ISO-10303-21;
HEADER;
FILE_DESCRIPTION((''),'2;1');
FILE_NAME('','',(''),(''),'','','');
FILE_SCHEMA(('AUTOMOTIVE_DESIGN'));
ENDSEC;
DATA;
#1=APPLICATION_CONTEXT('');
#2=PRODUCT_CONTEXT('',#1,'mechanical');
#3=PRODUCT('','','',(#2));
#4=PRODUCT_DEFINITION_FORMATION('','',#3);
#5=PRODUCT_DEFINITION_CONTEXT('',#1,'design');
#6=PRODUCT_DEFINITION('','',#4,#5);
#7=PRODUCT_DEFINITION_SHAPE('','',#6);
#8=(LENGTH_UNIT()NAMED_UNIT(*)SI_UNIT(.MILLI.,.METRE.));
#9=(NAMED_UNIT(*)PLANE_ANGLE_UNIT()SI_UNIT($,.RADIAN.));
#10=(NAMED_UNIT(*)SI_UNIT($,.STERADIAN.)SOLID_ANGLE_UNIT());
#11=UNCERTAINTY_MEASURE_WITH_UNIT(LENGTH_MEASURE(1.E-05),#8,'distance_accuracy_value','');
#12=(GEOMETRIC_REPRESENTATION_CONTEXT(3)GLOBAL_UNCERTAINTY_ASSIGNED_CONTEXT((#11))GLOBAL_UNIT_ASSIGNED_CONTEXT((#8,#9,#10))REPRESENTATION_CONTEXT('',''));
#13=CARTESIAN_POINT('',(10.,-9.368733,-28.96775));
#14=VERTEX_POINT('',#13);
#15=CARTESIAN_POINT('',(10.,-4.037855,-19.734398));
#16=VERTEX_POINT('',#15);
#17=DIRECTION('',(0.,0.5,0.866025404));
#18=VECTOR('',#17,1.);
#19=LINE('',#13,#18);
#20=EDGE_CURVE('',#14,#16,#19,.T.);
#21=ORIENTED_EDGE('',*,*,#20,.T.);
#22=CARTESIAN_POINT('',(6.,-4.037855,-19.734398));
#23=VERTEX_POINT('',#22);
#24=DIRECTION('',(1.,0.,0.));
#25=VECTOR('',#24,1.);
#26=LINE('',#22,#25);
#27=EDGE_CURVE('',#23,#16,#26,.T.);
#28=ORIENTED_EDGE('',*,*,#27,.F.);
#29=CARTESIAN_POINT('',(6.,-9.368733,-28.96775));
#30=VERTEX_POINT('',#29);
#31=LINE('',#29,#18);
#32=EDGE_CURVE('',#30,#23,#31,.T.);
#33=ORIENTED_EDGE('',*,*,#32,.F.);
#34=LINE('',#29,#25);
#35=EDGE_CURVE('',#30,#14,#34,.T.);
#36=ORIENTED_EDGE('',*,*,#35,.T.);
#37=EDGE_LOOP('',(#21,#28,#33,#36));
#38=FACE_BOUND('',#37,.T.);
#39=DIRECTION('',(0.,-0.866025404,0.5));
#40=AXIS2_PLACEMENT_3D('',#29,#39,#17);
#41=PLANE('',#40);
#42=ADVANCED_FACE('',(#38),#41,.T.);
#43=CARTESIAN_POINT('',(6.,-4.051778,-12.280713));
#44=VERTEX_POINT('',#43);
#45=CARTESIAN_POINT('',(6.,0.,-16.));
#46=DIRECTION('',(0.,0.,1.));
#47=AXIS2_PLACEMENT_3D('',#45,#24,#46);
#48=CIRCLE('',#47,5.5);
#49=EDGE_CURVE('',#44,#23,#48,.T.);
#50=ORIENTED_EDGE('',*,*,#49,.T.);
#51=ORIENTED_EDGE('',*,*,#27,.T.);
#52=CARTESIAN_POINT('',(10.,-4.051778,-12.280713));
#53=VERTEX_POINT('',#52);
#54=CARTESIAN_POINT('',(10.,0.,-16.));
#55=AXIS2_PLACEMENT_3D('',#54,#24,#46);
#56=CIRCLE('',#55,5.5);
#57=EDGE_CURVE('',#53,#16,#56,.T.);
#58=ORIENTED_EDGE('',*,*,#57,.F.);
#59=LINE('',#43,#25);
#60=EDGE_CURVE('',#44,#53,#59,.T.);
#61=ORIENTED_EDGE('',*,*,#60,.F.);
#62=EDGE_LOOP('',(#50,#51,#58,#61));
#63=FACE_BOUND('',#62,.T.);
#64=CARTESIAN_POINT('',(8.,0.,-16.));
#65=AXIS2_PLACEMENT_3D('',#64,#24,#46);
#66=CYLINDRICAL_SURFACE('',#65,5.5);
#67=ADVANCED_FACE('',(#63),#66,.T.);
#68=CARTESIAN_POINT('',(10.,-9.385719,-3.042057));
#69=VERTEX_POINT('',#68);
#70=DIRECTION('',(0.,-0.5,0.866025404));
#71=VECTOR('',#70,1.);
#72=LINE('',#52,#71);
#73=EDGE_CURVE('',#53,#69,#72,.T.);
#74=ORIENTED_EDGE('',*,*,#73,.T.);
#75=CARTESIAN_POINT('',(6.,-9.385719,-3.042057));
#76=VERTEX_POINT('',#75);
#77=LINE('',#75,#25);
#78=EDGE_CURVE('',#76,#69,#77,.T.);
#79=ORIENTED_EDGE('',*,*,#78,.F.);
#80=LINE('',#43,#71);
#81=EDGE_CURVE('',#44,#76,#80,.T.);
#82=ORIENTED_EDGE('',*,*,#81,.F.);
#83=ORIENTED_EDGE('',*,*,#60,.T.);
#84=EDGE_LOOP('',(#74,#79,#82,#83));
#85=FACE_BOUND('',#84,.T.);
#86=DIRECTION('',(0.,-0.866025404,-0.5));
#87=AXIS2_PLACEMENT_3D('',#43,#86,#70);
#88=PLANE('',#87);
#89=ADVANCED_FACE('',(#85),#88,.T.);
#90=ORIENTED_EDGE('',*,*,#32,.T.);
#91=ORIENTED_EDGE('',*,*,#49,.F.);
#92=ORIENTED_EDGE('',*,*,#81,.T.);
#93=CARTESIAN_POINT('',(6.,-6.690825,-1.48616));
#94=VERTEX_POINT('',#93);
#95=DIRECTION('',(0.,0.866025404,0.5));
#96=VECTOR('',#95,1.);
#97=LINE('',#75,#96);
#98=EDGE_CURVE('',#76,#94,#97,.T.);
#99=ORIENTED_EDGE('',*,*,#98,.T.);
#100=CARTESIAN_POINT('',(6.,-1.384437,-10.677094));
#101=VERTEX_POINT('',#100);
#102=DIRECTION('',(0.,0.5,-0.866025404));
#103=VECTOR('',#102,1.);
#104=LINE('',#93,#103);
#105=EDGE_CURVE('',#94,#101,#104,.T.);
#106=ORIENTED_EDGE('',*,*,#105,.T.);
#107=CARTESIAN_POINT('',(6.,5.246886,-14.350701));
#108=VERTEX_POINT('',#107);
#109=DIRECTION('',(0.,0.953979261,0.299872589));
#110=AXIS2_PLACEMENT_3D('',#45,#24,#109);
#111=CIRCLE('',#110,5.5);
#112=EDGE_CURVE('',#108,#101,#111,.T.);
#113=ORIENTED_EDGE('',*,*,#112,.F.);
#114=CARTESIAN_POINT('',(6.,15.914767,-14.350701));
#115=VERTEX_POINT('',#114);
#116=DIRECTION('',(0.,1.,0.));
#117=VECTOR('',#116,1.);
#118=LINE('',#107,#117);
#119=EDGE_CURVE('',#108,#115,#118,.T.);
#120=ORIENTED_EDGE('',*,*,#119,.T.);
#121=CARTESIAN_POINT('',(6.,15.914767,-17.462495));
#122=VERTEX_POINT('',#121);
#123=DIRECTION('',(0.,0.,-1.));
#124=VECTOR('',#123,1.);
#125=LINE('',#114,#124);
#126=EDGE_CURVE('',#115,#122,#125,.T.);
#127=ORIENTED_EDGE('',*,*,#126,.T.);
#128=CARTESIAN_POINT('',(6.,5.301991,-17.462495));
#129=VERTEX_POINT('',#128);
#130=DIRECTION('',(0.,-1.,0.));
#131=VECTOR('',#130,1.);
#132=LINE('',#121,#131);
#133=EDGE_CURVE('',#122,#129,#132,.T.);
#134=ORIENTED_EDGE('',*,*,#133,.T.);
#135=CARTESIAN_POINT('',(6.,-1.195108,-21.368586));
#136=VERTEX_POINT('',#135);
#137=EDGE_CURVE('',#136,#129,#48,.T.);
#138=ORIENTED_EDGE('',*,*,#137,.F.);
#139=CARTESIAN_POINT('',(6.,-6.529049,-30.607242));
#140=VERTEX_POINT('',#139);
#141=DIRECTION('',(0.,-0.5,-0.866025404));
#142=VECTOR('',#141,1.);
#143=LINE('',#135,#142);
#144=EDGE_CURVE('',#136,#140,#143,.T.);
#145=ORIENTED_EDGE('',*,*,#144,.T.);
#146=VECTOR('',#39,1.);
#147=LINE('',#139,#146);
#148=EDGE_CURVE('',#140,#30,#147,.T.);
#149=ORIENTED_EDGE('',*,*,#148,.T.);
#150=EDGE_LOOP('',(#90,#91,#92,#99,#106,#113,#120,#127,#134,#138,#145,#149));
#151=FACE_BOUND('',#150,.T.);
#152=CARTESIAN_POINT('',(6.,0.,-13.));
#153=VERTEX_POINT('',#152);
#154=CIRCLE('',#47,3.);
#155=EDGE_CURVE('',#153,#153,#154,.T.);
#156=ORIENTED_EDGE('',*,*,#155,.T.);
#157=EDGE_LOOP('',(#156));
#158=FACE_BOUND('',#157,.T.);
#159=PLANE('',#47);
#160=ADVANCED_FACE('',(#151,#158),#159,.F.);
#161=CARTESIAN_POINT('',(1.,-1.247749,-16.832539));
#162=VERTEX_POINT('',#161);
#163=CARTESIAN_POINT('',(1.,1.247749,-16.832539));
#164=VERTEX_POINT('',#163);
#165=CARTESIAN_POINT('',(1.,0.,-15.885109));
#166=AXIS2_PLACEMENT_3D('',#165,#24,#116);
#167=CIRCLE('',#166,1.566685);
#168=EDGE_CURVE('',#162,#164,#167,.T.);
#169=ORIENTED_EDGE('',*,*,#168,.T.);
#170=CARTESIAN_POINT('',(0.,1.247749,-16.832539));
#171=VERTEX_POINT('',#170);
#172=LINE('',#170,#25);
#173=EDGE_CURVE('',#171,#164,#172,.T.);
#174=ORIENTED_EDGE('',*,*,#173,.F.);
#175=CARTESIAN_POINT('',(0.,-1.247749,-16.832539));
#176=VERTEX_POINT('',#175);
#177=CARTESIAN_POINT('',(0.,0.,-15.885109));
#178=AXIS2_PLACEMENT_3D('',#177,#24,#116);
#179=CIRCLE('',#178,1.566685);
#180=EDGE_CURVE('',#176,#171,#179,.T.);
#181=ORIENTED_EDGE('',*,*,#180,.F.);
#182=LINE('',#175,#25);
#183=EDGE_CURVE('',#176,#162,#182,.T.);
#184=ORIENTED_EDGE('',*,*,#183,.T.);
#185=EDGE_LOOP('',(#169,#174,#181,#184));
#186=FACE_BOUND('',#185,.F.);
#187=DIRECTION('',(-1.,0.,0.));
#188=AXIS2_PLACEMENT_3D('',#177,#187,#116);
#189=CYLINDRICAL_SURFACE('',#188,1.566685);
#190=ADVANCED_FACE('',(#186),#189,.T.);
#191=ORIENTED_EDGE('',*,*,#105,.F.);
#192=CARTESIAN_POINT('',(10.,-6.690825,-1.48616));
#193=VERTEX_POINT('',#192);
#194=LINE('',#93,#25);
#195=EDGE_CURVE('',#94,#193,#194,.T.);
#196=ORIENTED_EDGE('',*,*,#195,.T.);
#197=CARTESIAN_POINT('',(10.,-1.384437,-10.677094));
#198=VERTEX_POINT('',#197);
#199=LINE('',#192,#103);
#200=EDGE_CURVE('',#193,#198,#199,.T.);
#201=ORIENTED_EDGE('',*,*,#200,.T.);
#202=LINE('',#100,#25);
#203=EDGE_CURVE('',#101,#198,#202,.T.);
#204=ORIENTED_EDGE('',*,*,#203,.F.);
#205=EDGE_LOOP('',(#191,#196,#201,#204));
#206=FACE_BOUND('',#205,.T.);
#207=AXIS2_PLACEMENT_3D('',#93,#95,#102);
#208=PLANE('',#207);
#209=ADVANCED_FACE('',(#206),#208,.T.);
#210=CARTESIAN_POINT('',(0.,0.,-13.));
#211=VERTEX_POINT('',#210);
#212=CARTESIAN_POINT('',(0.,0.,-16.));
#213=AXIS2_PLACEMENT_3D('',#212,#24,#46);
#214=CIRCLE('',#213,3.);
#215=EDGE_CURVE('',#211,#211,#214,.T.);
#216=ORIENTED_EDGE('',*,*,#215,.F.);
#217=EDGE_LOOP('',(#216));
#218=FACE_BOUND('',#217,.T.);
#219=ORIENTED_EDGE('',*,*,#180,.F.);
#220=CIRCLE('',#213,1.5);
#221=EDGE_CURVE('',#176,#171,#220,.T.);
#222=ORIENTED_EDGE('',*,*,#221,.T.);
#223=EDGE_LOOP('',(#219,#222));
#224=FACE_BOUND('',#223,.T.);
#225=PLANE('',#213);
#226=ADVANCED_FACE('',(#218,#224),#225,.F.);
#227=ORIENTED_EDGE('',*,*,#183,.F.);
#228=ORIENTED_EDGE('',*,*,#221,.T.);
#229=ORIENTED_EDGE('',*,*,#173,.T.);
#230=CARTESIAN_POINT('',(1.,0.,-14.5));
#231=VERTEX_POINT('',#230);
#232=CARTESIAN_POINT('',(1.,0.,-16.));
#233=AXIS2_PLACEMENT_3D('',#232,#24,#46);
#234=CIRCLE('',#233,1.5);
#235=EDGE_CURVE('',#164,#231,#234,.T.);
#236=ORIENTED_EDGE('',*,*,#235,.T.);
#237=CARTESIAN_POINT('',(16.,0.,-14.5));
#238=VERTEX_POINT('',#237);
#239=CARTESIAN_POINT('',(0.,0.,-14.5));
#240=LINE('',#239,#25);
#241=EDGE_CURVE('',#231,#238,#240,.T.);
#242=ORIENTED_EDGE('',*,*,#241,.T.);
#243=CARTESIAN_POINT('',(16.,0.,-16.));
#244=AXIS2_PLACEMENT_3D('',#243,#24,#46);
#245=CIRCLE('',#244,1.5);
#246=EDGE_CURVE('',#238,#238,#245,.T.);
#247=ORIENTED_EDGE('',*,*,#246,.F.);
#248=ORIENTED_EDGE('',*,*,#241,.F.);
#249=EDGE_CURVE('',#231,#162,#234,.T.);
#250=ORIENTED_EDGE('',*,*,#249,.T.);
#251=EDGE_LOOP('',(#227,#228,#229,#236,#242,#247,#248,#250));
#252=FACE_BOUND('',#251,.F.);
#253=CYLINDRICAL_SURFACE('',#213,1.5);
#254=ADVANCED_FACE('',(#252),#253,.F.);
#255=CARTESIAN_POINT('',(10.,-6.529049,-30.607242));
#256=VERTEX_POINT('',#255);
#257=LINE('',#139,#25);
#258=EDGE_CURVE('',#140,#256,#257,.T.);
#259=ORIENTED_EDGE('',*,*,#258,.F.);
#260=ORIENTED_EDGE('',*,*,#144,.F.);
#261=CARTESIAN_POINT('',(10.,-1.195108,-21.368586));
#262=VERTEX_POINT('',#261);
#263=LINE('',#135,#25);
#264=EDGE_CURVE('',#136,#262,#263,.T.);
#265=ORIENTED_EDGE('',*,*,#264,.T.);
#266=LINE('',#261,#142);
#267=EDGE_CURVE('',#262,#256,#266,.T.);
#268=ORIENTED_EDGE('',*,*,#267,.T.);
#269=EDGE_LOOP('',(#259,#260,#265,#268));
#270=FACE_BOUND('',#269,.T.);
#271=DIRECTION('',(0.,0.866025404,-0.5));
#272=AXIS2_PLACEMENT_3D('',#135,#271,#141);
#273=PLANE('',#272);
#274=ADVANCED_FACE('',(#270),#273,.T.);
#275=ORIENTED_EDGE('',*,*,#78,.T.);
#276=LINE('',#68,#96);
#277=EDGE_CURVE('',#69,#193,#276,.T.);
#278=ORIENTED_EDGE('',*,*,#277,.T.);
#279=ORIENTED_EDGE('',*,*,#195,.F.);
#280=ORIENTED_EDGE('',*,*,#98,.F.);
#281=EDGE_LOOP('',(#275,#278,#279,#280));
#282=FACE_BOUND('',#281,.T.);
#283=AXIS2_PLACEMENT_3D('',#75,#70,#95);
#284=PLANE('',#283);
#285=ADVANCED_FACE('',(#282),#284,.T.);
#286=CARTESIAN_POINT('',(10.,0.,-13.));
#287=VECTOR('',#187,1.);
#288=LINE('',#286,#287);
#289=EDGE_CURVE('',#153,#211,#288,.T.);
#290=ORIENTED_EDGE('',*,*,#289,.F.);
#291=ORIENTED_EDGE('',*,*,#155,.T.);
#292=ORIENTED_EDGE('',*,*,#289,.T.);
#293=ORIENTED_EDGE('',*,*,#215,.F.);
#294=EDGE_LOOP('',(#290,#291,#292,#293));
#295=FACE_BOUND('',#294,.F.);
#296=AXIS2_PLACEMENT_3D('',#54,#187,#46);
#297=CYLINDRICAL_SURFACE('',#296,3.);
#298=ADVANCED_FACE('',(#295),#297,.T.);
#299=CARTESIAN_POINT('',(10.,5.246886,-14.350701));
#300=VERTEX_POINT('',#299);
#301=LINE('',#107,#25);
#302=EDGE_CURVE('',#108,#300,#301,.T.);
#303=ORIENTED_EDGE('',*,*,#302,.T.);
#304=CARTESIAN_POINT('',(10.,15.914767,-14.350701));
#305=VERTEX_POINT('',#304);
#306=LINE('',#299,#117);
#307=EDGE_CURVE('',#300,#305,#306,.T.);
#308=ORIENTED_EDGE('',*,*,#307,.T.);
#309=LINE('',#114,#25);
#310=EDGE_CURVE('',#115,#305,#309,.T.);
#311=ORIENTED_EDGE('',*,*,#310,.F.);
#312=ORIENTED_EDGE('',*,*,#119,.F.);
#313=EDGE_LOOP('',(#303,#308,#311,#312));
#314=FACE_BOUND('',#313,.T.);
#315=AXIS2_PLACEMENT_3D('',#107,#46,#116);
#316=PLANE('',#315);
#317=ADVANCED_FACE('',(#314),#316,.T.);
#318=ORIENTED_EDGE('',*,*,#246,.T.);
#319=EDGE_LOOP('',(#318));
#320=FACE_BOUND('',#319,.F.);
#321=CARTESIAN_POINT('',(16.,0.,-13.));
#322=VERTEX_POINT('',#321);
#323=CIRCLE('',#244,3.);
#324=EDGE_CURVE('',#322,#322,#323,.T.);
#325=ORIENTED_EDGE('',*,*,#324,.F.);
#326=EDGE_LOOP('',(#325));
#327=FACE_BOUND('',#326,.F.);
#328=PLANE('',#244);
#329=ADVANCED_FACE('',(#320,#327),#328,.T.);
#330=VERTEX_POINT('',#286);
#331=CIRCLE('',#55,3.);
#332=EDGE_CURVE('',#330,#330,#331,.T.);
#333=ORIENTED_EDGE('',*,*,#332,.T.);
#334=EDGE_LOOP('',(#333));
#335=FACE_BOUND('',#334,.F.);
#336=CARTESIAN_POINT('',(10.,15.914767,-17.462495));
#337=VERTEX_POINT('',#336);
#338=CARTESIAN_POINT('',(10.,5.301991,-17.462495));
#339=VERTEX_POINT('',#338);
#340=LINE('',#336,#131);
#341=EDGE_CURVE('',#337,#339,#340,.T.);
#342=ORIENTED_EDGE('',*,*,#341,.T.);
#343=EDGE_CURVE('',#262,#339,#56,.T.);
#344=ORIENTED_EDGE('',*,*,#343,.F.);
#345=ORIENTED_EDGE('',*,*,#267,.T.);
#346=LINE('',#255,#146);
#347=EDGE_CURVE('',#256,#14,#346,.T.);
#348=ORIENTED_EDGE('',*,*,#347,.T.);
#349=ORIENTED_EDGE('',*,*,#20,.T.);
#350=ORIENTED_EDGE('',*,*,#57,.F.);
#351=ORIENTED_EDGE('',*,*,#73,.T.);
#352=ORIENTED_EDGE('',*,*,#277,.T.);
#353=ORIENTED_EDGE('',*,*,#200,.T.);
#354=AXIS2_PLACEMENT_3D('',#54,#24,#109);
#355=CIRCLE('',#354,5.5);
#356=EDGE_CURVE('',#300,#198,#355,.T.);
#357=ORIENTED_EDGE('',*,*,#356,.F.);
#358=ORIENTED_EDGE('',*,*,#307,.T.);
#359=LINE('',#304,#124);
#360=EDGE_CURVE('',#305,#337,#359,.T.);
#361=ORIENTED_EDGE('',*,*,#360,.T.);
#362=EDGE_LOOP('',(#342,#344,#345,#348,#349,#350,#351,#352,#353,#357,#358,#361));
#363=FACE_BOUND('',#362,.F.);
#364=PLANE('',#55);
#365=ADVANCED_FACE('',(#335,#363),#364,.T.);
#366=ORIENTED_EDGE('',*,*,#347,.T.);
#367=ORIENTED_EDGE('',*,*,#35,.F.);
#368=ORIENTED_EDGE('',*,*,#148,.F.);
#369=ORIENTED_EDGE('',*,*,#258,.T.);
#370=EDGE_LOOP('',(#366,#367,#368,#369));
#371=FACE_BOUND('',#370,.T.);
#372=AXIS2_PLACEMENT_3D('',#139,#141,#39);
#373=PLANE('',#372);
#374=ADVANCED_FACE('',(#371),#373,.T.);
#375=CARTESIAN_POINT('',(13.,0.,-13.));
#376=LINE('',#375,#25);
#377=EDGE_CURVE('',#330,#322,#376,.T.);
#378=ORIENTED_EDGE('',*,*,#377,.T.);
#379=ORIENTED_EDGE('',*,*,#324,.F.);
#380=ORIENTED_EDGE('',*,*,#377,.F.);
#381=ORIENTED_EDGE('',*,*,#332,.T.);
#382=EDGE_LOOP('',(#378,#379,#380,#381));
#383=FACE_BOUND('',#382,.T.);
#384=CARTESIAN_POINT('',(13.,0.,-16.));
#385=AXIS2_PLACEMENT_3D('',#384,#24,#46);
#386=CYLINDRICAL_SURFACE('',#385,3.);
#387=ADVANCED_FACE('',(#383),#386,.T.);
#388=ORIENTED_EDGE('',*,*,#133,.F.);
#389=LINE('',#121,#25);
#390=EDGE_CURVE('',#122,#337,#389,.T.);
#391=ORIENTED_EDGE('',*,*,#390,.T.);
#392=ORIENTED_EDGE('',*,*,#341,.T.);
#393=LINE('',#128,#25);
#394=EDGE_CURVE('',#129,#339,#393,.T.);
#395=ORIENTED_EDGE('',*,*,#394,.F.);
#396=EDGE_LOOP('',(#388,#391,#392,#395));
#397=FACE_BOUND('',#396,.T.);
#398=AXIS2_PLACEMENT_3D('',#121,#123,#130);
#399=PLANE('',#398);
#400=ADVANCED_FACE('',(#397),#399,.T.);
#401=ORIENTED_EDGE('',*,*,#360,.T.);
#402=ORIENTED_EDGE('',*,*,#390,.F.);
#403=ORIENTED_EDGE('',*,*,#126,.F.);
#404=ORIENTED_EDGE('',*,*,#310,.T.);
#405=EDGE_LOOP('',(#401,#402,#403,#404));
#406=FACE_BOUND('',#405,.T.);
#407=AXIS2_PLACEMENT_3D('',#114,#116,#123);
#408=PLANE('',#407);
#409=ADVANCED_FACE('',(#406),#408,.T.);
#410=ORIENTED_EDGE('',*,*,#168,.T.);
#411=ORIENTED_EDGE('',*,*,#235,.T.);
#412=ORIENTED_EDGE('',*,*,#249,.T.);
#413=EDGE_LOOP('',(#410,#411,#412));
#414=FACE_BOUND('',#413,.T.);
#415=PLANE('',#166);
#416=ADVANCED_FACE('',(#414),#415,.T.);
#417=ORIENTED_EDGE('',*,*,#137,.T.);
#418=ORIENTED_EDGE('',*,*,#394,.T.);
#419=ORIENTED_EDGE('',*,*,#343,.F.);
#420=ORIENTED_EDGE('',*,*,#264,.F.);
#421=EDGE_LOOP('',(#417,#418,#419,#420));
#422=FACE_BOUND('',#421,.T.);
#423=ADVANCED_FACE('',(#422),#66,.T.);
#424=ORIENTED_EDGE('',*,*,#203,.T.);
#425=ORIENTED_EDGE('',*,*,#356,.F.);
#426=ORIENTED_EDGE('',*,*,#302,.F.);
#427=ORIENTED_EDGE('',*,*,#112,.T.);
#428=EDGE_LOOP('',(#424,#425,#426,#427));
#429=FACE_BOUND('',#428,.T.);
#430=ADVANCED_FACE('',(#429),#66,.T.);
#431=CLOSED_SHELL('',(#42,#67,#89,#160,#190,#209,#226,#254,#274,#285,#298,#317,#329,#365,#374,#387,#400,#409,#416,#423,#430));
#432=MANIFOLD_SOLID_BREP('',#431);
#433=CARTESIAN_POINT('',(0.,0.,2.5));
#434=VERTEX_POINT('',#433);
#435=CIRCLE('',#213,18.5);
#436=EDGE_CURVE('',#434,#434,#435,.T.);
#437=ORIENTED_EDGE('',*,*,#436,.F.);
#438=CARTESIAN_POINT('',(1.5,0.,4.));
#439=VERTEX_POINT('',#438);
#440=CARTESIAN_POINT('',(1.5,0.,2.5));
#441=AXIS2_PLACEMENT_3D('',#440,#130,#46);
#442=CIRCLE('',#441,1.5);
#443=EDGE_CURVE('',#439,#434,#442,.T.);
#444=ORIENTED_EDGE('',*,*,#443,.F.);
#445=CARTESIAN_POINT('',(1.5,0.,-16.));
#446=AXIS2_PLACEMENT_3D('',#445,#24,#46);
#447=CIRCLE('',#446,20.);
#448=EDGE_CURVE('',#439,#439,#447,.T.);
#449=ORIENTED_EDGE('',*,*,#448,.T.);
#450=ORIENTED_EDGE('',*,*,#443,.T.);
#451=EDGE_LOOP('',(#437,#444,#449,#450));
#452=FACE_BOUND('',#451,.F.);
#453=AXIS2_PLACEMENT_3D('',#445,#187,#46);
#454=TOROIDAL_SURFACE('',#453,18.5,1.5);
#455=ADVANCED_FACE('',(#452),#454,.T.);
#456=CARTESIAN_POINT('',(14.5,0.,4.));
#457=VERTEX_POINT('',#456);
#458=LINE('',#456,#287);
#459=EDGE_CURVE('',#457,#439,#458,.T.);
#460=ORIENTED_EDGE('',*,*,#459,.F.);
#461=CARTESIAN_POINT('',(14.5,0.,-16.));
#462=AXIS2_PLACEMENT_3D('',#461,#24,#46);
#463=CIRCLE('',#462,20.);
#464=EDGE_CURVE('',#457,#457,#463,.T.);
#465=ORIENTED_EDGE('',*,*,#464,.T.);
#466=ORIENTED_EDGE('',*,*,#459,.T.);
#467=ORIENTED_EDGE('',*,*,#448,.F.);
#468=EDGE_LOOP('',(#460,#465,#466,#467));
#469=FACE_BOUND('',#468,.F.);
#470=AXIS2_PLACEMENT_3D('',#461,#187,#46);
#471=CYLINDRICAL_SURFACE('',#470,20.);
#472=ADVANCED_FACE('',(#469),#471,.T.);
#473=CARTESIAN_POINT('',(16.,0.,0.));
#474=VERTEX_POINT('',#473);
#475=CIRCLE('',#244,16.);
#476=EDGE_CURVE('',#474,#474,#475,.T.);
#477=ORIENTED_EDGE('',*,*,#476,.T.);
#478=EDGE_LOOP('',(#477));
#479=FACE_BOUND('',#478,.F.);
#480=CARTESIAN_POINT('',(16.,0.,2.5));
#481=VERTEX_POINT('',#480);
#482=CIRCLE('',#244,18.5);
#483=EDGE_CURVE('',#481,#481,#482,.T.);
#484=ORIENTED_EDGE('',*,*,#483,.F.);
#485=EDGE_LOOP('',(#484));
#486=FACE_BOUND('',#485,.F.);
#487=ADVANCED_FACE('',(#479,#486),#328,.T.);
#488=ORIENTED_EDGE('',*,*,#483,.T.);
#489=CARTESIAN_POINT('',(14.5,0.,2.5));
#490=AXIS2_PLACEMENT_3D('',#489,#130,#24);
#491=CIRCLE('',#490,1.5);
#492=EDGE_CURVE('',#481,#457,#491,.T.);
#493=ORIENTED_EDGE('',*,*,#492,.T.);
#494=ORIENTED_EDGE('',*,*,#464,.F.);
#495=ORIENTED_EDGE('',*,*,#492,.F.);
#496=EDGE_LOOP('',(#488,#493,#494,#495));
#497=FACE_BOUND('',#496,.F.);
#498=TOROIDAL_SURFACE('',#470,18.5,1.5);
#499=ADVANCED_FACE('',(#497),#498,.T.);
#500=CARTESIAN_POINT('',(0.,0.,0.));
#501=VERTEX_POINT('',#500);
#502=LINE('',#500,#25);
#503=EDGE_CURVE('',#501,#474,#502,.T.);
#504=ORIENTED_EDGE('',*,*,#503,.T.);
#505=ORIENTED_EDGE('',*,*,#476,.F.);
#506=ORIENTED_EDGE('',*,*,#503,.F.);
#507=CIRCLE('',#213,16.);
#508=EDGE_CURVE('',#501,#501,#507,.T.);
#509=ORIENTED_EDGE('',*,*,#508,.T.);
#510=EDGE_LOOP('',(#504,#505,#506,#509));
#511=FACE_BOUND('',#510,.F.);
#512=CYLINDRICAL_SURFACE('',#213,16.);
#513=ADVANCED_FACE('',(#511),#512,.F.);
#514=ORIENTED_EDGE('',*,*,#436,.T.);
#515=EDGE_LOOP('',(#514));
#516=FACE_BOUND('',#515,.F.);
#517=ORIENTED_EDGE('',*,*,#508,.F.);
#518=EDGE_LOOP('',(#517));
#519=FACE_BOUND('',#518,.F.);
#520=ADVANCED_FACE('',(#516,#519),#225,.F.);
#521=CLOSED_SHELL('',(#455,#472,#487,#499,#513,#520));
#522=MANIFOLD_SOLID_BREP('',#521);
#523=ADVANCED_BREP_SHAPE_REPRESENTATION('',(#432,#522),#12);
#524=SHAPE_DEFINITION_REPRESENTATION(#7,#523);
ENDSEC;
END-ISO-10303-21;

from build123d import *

# Parameters (mm, degrees)
F0_W     = 4
F0_H     = 1.5
F0_W_2   = 6
F0_H_2   = 2.5
F3_DEPTH = 4
F4_R     = 1.5666851265
F5_DEPTH = 1


with BuildPart() as f1:
    # F0 (on Front) → F1 (revolve)
    with BuildSketch(Plane.XZ):
        with BuildLine():
            Line((0, 2.5), (0, 0))
            Line((0, 0), (6, 0))
            Line((6, 0), (10, 0))
            Line((10, 0), (16, 0))
            Line((16, 0), (16, 2.5))
            ThreePointArc((16, 2.5), (15.5606601718, 3.5606601718), (14.5, 4))
            Line((14.5, 4), (1.5, 4))
            ThreePointArc((1.5, 4), (0.4393398282, 3.5606601718), (0, 2.5))
        make_face()
    revolve(axis=Axis((8, 0, -16), (1, 0, 0)))



with BuildPart() as f1b:
    # F0 (on Front) → F1, piece 2 (revolve)
    with BuildSketch(Plane.XZ):
        with Locations((8, -13.75)):
            Rectangle(F0_W, F0_H)
        with Locations((3, -13.75)):
            Rectangle(F0_W_2, F0_H)
        with Locations((8, -11.75)):
            Rectangle(F0_W, F0_H_2)
        with Locations((13, -13.75)):
            Rectangle(F0_W_2, F0_H)
    revolve(axis=Axis((8, 0, -16), (1, 0, 0)))


with BuildPart() as f1_1:
    add(f1.part)

    add(f1b.part)  # F3 merges F1b
    # F2 (on face) → F3 (join)
    with BuildSketch(Plane(origin=(6, 0, 0), x_dir=(0, -1, 0), z_dir=(-1, 0, 0))):
        with BuildLine():
            Line((6.6908253366, -1.4861596642), (1.3844372123, -10.6770935002))
            ThreePointArc((1.3844372123, -10.6770935002), (2.8339033039, -11.2862974145), (4.051778006, -12.2807131073))
            Line((4.051778006, -12.2807131073), (9.3857185908, -3.0420570099))
            Line((9.3857185908, -3.0420570099), (6.6908253366, -1.4861596642))
        make_face()
        with BuildLine():
            ThreePointArc((4.037854872, -19.7343979479), (2.741097896, -20.7682682731), (1.1951079301, -21.36858613))
            Line((1.1951079301, -21.36858613), (6.5290485149, -30.6072422274))
            Line((6.5290485149, -30.6072422274), (9.3687329614, -28.9677496478))
            Line((9.3687329614, -28.9677496478), (4.037854872, -19.7343979479))
        make_face()
        with BuildLine():
            ThreePointArc((-5.3019908569, -17.4624954541), (-5.4991378368, -15.9026190397), (-5.246885936, -14.3507007627))
            Line((-5.246885936, -14.3507007627), (-15.9147671056, -14.3507007627))
            Line((-15.9147671056, -14.3507007627), (-15.9147671056, -17.4624954541))
            Line((-15.9147671056, -17.4624954541), (-5.3019908569, -17.4624954541))
        make_face()
    extrude(amount=-F3_DEPTH)

    # F4 (on Right) → F5 (join)
    with BuildSketch(Plane.YZ):
        with Locations((0, -15.8851090819)):
            Circle(F4_R)
    extrude(amount=F5_DEPTH)


solid = f1_1.part
